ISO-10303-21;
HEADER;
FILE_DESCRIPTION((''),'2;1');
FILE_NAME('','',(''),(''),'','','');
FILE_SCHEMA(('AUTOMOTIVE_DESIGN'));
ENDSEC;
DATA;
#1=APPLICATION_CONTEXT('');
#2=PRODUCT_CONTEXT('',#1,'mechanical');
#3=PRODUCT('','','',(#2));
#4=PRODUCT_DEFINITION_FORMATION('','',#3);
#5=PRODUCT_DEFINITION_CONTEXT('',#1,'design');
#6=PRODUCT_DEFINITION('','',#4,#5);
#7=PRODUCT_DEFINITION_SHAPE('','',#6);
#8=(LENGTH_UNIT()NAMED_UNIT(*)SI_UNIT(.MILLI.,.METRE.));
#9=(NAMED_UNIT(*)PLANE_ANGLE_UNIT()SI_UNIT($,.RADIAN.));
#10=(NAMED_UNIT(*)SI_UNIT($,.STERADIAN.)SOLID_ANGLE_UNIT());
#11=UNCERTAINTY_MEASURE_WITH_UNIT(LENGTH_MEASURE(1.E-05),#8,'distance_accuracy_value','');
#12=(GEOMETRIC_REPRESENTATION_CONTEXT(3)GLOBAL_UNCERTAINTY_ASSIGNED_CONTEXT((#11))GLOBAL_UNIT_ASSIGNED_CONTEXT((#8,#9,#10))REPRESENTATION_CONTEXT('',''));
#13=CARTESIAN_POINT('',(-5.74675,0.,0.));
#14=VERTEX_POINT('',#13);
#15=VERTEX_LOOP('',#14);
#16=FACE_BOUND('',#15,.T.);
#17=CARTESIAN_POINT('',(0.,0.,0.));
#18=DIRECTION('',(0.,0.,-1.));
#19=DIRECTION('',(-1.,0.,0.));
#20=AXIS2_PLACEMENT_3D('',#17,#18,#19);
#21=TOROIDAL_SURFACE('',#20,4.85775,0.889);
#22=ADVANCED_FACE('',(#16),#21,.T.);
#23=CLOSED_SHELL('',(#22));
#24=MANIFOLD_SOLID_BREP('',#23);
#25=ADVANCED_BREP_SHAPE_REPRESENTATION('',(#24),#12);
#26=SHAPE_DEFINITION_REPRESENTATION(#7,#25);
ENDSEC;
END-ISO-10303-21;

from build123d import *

# Parameters (mm, degrees)
SKETCH2_R = 0.889


with BuildPart() as part:
    # Base-Sweep: sweep along a path in Sketch1
    with BuildLine(Plane.XY) as base_sweep_path:
        CenterArc((0, 0), 4.85775, 0, 360)
    # Sketch2 → Base-Sweep (sweep)
    with BuildSketch(Plane(origin=(0, 0, 0), x_dir=(1, 0, 0), z_dir=(0, 1, 0))):
        with Locations((4.85775, 0)):
            Circle(SKETCH2_R)
    sweep(path=base_sweep_path.line)


solid = part.part
